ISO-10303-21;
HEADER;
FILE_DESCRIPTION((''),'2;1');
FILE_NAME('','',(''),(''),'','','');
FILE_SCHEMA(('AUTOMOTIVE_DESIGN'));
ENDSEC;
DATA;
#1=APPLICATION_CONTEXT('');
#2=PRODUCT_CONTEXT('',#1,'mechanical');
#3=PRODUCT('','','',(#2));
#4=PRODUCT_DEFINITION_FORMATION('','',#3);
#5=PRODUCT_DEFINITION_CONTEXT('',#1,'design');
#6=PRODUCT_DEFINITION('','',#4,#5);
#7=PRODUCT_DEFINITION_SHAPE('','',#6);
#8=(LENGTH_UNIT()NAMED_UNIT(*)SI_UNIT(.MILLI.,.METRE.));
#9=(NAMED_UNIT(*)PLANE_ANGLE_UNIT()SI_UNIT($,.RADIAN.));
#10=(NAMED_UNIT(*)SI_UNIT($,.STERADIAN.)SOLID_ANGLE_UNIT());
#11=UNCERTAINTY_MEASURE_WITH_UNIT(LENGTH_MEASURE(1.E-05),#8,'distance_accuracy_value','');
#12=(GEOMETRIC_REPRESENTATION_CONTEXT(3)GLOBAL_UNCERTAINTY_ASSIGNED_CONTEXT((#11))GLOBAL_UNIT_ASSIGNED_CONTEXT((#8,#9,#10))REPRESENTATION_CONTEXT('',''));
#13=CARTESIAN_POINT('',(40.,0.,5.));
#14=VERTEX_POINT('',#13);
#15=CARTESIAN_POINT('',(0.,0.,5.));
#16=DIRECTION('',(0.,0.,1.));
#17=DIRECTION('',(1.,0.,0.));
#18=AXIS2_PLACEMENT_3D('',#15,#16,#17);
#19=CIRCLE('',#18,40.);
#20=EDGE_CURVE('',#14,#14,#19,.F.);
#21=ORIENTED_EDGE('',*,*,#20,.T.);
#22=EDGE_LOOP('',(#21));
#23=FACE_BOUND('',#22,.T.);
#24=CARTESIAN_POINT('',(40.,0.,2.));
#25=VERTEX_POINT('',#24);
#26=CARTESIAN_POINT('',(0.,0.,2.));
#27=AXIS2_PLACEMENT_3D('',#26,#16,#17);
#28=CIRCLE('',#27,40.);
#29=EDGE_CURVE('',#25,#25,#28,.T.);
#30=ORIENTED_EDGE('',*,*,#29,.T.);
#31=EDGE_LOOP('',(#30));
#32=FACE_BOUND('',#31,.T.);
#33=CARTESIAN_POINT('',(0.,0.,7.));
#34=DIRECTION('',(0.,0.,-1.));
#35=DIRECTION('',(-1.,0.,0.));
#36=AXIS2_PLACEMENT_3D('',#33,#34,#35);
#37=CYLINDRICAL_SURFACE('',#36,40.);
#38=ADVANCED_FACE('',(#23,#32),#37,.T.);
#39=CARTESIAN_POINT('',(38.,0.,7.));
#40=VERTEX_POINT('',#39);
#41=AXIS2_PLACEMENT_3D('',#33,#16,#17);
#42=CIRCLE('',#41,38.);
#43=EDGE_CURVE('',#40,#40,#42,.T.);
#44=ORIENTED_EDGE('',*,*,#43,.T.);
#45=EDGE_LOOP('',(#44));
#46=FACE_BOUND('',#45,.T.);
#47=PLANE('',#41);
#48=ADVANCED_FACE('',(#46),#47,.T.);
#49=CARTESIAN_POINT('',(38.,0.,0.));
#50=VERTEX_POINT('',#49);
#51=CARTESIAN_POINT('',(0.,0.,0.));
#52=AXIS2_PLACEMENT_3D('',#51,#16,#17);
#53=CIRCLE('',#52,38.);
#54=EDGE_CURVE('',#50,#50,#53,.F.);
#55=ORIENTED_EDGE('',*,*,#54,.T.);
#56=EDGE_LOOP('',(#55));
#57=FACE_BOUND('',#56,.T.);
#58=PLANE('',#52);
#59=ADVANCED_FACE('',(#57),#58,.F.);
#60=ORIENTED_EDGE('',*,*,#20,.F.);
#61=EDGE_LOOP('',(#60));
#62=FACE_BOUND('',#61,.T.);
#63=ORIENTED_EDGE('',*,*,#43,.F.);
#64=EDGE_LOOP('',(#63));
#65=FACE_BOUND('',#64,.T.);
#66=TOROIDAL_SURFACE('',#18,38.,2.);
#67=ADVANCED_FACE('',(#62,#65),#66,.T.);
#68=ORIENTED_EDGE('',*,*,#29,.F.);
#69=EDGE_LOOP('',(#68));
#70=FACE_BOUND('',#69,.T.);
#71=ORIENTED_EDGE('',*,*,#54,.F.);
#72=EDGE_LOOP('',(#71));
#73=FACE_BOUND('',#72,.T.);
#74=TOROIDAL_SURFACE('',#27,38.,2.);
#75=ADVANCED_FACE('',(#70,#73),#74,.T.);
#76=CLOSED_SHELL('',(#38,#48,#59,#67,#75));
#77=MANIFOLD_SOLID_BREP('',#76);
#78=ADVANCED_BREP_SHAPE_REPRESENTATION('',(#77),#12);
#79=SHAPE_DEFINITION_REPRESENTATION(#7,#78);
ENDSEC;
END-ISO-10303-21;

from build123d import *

# Parameters (mm, degrees)
SKETCH1_R           = 40
BOSS_EXTRUDE1_DEPTH = 7
FILLET1_R           = 2
FILLET2_R           = 2


with BuildPart() as part:
    # Sketch1 → Boss-Extrude1 (new body)
    with BuildSketch(Plane.XY):
        Circle(SKETCH1_R)
    extrude(amount=BOSS_EXTRUDE1_DEPTH)

    # Fillet1
    fillet1_edges = [part.edges().sort_by_distance(p)[0] for p in [
        (-40, 0, 0),
    ]]
    fillet(fillet1_edges, radius=FILLET1_R)

    # Fillet2
    fillet2_edges = [part.edges().sort_by_distance(p)[0] for p in [
        (-40, 0, 7),
    ]]
    fillet(fillet2_edges, radius=FILLET2_R)


solid = part.part
